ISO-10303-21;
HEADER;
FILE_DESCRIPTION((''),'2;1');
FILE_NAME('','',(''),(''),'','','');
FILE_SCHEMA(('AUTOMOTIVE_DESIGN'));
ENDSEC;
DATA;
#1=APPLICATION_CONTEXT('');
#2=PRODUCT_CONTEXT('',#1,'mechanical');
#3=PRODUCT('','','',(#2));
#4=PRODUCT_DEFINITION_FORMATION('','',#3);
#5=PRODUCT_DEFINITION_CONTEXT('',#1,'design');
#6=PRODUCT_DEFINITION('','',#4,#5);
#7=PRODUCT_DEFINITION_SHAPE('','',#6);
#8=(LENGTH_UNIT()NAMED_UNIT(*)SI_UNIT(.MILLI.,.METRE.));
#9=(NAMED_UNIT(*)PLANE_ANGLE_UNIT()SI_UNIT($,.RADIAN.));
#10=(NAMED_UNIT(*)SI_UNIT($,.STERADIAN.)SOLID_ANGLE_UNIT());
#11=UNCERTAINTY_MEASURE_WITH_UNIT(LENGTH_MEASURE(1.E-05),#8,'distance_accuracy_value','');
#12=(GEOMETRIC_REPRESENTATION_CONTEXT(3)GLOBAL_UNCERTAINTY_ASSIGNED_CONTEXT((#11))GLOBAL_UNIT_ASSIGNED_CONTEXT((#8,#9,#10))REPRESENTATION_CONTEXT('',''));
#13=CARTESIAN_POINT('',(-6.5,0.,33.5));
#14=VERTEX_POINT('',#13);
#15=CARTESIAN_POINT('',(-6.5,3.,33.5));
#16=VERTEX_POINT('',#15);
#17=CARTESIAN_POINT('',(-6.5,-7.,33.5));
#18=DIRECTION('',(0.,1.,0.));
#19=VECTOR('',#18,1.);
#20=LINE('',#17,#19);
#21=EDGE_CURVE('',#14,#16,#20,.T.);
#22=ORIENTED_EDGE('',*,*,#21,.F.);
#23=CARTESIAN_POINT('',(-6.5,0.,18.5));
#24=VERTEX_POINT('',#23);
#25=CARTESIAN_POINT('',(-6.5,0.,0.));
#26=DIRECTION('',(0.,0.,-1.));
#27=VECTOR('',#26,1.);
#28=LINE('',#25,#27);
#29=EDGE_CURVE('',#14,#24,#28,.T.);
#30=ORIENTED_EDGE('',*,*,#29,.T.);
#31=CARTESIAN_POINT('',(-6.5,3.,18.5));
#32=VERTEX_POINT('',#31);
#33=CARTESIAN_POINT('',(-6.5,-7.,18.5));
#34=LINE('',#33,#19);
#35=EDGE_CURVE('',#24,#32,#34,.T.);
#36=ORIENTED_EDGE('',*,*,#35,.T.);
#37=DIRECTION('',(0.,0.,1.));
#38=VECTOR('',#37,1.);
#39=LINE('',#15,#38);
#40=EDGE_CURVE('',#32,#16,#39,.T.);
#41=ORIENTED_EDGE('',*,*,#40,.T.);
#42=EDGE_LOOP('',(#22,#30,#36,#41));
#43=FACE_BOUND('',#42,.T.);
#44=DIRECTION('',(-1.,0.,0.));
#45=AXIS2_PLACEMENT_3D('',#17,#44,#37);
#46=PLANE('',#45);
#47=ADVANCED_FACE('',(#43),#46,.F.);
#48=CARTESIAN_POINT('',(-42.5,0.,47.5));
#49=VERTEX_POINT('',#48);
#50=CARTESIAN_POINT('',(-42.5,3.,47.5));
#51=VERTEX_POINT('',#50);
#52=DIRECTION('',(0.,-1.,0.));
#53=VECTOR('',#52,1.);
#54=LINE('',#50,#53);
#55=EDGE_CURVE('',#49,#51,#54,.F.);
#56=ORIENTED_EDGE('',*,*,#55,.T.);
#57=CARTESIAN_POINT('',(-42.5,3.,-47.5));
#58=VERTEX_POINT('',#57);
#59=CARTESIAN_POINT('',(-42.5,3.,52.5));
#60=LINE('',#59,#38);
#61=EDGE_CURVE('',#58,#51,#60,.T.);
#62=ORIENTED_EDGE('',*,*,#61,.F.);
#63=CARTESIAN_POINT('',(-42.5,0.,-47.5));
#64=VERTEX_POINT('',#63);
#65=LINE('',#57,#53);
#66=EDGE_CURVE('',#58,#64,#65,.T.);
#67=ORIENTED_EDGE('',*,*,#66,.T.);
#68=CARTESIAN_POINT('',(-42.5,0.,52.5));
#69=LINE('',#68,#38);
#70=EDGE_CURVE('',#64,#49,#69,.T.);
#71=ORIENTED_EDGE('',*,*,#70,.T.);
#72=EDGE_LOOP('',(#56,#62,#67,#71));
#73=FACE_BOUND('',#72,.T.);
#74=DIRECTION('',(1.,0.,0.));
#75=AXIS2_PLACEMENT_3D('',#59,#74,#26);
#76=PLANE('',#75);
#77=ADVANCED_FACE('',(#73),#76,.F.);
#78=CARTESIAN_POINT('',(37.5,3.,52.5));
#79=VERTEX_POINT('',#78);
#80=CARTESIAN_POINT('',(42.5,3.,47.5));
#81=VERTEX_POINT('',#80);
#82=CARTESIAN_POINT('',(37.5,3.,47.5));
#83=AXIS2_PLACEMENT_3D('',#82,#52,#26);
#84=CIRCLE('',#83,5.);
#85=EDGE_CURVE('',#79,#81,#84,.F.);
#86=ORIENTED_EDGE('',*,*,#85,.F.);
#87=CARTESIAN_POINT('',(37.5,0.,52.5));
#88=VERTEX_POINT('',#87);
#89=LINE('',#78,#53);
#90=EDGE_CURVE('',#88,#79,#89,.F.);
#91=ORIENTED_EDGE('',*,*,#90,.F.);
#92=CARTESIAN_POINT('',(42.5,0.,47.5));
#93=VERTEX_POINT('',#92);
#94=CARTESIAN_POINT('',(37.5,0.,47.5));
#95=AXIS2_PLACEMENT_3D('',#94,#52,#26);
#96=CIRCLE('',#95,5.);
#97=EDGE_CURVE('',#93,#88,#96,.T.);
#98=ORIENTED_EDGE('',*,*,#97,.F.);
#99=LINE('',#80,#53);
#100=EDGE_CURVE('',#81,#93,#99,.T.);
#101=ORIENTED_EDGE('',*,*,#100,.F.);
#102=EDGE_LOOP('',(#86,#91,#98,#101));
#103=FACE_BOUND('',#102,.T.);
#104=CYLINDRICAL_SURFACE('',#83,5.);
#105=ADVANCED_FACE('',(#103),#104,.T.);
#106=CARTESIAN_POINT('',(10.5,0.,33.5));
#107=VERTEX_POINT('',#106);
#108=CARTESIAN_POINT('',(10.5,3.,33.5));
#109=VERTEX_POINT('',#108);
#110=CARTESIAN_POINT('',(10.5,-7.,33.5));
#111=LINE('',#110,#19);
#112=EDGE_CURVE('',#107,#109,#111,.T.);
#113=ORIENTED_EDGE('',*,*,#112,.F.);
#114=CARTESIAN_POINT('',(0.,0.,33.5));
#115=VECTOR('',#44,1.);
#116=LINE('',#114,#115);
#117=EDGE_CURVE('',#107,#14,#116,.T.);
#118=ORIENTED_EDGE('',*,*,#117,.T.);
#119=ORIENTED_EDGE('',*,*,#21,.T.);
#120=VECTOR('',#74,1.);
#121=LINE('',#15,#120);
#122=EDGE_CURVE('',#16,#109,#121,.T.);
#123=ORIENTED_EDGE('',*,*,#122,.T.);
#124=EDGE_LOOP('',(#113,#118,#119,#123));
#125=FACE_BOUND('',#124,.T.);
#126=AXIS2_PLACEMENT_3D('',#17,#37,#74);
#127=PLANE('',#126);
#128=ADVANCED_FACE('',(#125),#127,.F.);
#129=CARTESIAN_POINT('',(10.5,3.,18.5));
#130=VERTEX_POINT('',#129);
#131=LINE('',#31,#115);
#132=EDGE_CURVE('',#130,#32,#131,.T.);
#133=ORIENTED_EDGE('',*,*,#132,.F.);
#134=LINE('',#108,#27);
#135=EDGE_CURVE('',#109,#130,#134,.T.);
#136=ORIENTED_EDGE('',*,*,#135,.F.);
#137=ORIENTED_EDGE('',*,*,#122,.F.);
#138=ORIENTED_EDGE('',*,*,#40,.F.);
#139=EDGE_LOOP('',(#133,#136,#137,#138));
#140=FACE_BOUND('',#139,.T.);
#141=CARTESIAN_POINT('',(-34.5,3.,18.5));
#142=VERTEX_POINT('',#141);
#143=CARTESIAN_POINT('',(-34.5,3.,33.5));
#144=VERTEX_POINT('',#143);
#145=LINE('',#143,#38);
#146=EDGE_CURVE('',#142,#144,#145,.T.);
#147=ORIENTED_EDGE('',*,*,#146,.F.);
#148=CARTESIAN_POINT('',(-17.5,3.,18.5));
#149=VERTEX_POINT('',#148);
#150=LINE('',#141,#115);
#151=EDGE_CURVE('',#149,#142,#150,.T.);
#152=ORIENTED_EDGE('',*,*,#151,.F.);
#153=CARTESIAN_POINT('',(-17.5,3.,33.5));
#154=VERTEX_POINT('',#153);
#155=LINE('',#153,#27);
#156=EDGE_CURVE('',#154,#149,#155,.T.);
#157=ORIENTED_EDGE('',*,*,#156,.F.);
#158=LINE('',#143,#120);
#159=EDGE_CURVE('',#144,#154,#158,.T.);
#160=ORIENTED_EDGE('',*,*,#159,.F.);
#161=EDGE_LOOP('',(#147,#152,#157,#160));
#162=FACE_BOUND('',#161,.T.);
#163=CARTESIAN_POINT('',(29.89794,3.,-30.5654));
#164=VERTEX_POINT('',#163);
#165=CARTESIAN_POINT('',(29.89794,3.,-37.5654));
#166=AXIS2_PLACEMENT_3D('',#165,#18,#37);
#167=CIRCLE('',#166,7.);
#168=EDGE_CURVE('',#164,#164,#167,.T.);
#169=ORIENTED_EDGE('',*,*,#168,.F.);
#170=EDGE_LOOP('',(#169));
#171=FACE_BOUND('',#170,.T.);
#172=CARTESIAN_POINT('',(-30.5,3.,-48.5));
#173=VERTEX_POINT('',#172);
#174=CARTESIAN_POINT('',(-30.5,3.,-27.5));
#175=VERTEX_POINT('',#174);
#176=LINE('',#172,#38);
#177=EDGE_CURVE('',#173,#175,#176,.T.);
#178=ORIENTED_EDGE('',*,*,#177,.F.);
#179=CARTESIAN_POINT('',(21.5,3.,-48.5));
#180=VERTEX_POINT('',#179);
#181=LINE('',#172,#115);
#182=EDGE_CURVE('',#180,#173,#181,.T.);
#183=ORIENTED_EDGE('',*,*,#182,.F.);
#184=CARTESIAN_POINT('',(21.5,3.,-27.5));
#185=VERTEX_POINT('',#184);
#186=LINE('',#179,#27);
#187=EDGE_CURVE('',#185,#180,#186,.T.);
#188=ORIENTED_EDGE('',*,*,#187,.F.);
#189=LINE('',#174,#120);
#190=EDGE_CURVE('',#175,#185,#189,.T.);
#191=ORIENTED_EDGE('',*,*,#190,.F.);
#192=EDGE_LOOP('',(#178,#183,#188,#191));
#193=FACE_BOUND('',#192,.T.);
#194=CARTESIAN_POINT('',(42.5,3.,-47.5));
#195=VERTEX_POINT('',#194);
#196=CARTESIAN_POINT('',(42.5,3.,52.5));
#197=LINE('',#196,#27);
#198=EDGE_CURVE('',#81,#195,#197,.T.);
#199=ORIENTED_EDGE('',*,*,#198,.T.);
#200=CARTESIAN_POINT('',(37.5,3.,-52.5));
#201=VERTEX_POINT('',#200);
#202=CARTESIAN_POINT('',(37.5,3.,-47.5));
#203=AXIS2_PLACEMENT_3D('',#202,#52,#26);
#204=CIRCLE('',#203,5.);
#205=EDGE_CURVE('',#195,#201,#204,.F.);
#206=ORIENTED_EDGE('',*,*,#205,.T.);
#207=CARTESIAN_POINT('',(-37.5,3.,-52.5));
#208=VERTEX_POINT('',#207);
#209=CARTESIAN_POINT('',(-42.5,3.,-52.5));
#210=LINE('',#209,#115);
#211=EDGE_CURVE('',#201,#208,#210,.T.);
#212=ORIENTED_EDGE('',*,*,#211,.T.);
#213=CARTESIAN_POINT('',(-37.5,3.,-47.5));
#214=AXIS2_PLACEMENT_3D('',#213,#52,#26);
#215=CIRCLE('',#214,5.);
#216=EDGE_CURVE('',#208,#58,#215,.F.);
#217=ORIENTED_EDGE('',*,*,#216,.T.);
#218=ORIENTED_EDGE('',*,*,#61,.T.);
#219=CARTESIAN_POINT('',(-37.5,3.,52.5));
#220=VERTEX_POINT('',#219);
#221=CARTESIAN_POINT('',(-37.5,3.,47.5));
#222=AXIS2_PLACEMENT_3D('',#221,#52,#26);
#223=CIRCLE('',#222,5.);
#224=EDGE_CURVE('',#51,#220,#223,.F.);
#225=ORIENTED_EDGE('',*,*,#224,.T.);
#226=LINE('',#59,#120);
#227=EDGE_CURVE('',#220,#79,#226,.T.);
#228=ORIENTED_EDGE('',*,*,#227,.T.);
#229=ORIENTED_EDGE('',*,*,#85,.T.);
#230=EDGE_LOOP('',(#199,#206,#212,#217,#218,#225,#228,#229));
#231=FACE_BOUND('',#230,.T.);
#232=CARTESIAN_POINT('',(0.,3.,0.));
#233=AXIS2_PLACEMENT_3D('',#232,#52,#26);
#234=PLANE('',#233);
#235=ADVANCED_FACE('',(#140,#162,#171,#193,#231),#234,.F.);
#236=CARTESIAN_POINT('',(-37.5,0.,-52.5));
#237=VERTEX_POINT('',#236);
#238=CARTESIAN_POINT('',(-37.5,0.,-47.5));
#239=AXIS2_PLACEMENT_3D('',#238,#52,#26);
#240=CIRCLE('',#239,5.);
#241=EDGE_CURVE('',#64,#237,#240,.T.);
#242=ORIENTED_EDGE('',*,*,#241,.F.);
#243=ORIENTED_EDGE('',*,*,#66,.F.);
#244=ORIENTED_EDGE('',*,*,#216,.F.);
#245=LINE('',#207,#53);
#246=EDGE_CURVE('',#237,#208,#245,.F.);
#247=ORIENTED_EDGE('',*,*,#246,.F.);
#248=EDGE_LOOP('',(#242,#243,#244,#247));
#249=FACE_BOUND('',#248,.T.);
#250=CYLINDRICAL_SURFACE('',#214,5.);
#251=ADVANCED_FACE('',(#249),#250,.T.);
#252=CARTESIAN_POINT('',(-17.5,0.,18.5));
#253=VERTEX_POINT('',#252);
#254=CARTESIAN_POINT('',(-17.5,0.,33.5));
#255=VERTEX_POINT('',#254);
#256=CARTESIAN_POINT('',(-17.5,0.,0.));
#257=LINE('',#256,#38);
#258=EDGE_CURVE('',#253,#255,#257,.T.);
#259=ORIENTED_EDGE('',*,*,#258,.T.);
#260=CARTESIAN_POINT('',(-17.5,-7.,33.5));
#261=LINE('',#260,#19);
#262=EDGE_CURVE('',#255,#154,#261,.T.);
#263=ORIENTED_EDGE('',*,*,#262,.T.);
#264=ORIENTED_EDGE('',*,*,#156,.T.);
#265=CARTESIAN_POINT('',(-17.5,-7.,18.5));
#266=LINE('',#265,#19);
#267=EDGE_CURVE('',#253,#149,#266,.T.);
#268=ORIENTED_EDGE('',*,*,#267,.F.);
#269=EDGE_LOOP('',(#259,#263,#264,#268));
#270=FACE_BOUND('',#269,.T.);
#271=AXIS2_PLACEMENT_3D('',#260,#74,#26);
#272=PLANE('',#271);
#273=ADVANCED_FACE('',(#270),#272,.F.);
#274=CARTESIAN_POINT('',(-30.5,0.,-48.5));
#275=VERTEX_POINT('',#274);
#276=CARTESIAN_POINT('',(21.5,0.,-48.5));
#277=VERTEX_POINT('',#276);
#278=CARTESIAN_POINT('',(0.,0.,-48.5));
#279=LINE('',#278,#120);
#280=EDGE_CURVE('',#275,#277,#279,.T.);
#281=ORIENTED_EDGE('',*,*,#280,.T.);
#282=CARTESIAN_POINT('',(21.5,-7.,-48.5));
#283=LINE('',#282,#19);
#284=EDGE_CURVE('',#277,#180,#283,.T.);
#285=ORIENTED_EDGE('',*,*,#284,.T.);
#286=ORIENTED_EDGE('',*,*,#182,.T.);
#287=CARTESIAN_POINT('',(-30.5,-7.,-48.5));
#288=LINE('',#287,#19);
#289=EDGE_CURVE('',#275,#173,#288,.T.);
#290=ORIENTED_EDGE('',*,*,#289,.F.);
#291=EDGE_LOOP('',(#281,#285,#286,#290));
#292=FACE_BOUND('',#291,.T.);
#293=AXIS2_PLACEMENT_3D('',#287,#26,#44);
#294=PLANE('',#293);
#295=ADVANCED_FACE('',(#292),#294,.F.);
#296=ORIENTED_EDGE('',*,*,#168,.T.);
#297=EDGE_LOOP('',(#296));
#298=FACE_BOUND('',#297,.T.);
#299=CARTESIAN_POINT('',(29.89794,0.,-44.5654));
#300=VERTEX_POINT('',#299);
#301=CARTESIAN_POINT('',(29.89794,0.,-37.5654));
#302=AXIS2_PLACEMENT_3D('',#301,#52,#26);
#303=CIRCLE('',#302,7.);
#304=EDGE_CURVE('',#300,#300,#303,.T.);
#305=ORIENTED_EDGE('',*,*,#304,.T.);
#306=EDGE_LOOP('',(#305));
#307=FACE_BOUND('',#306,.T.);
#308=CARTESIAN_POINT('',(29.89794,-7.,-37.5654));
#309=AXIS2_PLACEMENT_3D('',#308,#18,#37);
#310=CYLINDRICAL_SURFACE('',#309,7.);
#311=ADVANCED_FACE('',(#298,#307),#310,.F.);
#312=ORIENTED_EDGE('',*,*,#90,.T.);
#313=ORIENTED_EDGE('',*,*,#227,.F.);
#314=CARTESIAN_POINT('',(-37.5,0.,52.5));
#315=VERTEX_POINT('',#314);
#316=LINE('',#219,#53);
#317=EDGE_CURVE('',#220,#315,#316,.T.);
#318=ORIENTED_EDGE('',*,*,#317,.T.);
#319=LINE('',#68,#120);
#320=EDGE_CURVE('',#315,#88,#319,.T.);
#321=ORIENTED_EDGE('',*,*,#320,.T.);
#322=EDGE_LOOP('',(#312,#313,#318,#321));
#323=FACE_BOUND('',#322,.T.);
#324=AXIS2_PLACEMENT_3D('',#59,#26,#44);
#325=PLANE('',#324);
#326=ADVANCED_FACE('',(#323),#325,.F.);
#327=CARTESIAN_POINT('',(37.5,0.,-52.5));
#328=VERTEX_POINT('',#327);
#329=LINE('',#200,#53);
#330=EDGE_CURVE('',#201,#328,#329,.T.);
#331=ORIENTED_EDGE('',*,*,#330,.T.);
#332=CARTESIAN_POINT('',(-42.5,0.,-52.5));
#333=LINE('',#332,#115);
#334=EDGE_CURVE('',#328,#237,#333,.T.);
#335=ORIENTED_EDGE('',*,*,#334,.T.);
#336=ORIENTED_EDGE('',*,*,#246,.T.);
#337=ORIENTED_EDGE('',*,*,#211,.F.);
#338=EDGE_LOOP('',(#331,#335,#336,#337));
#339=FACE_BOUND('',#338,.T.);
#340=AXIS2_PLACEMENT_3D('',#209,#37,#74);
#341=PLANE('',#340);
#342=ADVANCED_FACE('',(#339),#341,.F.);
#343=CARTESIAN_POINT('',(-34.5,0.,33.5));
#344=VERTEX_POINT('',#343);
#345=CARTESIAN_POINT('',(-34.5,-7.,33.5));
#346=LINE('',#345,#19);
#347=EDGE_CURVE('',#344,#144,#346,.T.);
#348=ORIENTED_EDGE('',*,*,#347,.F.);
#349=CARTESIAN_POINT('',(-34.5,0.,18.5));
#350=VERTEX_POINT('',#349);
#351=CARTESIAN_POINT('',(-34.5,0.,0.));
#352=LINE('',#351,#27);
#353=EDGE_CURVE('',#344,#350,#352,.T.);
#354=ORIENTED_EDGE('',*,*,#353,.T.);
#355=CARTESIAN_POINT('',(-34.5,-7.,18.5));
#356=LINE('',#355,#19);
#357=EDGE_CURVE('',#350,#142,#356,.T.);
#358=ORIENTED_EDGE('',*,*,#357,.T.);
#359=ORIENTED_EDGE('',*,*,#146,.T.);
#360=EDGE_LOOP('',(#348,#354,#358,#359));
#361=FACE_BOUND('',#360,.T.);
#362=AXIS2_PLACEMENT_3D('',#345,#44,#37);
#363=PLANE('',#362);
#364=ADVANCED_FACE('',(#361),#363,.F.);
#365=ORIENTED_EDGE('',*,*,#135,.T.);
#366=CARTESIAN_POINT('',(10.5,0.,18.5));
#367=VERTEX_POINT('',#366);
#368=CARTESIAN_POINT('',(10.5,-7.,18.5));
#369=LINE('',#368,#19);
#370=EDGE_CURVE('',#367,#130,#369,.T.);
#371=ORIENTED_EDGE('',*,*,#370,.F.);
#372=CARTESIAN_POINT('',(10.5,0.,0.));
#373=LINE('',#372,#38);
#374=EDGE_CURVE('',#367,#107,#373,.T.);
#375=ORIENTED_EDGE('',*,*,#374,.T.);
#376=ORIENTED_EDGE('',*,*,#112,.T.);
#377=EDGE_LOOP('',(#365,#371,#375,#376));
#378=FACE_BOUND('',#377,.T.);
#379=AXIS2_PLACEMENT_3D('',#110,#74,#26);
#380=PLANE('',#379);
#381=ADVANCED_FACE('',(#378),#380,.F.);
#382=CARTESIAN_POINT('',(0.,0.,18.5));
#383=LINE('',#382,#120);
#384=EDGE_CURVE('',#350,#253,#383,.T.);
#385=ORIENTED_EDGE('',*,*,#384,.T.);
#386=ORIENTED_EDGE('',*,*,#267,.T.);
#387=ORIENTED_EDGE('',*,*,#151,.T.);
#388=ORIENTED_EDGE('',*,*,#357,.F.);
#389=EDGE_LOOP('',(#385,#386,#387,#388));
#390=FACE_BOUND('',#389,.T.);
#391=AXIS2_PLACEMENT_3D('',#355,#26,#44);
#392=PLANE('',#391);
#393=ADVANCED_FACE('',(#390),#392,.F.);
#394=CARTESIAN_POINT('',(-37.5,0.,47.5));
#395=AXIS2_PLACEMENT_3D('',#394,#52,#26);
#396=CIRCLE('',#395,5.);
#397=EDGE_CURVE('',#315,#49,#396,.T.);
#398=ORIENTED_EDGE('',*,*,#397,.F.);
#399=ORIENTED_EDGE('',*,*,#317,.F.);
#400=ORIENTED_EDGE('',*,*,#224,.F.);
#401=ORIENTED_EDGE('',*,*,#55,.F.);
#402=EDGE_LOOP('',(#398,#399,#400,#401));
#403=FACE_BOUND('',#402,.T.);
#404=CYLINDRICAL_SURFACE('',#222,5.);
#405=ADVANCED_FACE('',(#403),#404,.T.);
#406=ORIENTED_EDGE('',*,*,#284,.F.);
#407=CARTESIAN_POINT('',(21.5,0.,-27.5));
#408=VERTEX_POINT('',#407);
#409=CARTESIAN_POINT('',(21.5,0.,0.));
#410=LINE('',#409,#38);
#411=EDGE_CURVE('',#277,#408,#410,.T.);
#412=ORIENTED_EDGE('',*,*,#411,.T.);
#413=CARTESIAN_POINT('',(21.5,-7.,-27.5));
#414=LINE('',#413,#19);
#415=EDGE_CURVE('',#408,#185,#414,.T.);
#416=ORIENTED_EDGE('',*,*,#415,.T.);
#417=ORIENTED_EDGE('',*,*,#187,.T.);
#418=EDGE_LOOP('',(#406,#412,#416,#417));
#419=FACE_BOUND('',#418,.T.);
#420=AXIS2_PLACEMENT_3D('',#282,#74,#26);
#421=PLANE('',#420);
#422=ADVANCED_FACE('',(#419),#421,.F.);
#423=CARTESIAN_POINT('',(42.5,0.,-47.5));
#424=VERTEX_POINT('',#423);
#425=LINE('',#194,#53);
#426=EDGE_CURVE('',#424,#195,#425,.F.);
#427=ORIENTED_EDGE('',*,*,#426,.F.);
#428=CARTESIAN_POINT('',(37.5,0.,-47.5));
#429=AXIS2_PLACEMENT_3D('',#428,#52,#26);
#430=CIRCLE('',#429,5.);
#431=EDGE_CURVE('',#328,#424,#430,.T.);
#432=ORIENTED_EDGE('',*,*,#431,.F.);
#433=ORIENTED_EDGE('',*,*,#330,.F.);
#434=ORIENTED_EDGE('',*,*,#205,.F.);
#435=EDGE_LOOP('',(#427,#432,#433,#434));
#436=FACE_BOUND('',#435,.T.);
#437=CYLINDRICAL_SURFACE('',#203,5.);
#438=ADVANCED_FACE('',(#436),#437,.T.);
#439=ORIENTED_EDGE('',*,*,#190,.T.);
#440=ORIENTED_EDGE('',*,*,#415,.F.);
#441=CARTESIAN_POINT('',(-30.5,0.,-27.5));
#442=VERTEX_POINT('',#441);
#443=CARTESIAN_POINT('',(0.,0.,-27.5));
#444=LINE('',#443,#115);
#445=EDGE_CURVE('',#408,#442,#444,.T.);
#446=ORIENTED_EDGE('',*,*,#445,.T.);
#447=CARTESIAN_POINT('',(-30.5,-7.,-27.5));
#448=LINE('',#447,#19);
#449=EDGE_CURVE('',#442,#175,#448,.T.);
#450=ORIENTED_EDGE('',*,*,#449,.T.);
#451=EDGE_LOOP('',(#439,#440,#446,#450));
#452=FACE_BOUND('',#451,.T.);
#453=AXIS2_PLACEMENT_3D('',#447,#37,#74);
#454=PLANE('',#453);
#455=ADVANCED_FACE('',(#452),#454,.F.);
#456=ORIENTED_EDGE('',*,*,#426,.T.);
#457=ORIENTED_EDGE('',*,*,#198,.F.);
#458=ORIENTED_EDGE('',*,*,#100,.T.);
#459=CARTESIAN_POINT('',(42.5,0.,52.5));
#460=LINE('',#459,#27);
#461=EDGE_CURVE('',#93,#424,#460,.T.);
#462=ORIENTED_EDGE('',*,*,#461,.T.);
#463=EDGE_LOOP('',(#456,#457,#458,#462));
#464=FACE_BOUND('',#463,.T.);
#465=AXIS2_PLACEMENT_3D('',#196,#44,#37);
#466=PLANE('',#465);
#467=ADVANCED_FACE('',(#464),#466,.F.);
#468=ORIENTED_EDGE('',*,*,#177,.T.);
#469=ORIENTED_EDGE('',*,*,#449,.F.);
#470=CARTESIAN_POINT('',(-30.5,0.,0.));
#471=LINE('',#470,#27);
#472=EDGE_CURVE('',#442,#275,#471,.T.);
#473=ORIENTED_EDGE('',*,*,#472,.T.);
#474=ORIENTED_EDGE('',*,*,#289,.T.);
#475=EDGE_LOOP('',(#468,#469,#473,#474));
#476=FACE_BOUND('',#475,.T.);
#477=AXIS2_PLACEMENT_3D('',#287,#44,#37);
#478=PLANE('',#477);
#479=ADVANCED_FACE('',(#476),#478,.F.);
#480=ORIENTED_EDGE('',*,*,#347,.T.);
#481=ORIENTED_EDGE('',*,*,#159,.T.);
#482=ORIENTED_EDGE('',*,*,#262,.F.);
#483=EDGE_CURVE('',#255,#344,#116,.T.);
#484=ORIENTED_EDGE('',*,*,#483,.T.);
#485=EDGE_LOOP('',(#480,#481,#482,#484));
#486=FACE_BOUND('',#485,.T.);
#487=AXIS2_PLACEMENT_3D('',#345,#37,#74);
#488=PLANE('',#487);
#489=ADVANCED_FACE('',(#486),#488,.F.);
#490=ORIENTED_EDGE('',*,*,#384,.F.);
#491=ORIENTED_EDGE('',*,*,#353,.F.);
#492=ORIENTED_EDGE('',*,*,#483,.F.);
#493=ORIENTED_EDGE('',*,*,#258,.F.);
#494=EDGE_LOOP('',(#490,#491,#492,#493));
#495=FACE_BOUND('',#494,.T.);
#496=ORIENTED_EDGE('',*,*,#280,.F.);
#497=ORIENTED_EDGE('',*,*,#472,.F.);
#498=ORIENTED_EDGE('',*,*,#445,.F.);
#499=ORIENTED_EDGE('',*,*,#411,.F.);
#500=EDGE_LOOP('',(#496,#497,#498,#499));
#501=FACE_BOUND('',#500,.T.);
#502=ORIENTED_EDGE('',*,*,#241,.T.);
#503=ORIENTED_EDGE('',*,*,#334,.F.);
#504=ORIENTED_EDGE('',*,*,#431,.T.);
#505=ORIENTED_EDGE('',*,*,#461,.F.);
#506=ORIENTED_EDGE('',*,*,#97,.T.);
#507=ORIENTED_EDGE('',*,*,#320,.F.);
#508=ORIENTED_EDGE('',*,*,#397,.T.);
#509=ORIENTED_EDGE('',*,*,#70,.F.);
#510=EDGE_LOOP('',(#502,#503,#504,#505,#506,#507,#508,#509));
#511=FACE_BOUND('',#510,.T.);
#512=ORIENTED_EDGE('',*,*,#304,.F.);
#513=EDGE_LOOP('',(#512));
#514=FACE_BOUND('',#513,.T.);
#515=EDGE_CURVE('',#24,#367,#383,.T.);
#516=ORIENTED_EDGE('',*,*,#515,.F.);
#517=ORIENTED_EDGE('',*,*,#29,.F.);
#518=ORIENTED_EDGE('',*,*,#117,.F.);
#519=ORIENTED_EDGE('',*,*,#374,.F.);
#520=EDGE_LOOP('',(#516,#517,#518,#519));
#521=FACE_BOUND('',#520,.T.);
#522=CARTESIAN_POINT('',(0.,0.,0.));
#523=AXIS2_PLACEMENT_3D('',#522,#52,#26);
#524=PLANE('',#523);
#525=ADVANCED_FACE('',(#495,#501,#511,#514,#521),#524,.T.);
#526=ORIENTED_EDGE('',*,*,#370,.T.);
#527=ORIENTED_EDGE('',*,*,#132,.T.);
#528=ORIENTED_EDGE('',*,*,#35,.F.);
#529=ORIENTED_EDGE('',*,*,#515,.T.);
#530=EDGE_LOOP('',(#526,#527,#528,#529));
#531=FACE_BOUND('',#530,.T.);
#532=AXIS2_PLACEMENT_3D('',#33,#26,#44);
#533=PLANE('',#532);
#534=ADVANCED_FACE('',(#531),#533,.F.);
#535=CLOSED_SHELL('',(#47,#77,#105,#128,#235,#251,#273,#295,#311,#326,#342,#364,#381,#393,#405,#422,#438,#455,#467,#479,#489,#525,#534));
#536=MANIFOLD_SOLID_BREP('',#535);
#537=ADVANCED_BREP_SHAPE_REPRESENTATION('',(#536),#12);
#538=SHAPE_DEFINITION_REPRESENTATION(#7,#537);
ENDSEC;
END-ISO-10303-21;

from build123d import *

# Parameters (mm, degrees)
SKETCH1_W           = 85
SKETCH1_H           = 105
BOSS_EXTRUDE1_DEPTH = 3
SKETCH2_W           = 17
SKETCH2_H           = 15
CUT_EXTRUDE1_DEPTH  = 10
FILLET1_R           = 5
SKETCH3_W           = 52
SKETCH3_H           = 21
CUT_EXTRUDE2_DEPTH  = 10
SKETCH4_R           = 7
CUT_EXTRUDE3_DEPTH  = 10


with BuildPart() as part:
    # Sketch1 → Boss-Extrude1 (new body)
    with BuildSketch(Plane(origin=(0, 0, 0), x_dir=(1, 0, 0), z_dir=(0, 1, 0))):
        Rectangle(SKETCH1_W, SKETCH1_H)
    extrude(amount=BOSS_EXTRUDE1_DEPTH)

    # Sketch2 → Cut-Extrude1 (cut)
    with BuildSketch(Plane(origin=(0, 3, 0), x_dir=(1, 0, 0), z_dir=(0, 1, 0))):
        with Locations((-26, -26)):
            Rectangle(SKETCH2_W, SKETCH2_H)
        with Locations((2, -26)):
            Rectangle(SKETCH2_W, SKETCH2_H)
    extrude(amount=-CUT_EXTRUDE1_DEPTH, mode=Mode.SUBTRACT)

    # Fillet1
    fillet1_edges = [part.edges().sort_by_distance(p)[0] for p in [
        (42.5, 1.5, 52.5),
        (-42.5, 1.5, 52.5),
        (-42.5, 1.5, -52.5),
        (42.5, 1.5, -52.5),
    ]]
    fillet(fillet1_edges, radius=FILLET1_R)

    # Sketch3 → Cut-Extrude2 (cut)
    with BuildSketch(Plane(origin=(0, 3, 0), x_dir=(1, 0, 0), z_dir=(0, 1, 0))):
        with Locations((-4.5, 38)):
            Rectangle(SKETCH3_W, SKETCH3_H)
    extrude(amount=-CUT_EXTRUDE2_DEPTH, mode=Mode.SUBTRACT)

    # Sketch4 → Cut-Extrude3 (cut)
    with BuildSketch(Plane(origin=(0, 3, 0), x_dir=(1, 0, 0), z_dir=(0, 1, 0))):
        with Locations(Location((29.897939867, 37.565399996, 0), (0, 0, 270))):
            Circle(SKETCH4_R)
    extrude(amount=-CUT_EXTRUDE3_DEPTH, mode=Mode.SUBTRACT)


solid = part.part
